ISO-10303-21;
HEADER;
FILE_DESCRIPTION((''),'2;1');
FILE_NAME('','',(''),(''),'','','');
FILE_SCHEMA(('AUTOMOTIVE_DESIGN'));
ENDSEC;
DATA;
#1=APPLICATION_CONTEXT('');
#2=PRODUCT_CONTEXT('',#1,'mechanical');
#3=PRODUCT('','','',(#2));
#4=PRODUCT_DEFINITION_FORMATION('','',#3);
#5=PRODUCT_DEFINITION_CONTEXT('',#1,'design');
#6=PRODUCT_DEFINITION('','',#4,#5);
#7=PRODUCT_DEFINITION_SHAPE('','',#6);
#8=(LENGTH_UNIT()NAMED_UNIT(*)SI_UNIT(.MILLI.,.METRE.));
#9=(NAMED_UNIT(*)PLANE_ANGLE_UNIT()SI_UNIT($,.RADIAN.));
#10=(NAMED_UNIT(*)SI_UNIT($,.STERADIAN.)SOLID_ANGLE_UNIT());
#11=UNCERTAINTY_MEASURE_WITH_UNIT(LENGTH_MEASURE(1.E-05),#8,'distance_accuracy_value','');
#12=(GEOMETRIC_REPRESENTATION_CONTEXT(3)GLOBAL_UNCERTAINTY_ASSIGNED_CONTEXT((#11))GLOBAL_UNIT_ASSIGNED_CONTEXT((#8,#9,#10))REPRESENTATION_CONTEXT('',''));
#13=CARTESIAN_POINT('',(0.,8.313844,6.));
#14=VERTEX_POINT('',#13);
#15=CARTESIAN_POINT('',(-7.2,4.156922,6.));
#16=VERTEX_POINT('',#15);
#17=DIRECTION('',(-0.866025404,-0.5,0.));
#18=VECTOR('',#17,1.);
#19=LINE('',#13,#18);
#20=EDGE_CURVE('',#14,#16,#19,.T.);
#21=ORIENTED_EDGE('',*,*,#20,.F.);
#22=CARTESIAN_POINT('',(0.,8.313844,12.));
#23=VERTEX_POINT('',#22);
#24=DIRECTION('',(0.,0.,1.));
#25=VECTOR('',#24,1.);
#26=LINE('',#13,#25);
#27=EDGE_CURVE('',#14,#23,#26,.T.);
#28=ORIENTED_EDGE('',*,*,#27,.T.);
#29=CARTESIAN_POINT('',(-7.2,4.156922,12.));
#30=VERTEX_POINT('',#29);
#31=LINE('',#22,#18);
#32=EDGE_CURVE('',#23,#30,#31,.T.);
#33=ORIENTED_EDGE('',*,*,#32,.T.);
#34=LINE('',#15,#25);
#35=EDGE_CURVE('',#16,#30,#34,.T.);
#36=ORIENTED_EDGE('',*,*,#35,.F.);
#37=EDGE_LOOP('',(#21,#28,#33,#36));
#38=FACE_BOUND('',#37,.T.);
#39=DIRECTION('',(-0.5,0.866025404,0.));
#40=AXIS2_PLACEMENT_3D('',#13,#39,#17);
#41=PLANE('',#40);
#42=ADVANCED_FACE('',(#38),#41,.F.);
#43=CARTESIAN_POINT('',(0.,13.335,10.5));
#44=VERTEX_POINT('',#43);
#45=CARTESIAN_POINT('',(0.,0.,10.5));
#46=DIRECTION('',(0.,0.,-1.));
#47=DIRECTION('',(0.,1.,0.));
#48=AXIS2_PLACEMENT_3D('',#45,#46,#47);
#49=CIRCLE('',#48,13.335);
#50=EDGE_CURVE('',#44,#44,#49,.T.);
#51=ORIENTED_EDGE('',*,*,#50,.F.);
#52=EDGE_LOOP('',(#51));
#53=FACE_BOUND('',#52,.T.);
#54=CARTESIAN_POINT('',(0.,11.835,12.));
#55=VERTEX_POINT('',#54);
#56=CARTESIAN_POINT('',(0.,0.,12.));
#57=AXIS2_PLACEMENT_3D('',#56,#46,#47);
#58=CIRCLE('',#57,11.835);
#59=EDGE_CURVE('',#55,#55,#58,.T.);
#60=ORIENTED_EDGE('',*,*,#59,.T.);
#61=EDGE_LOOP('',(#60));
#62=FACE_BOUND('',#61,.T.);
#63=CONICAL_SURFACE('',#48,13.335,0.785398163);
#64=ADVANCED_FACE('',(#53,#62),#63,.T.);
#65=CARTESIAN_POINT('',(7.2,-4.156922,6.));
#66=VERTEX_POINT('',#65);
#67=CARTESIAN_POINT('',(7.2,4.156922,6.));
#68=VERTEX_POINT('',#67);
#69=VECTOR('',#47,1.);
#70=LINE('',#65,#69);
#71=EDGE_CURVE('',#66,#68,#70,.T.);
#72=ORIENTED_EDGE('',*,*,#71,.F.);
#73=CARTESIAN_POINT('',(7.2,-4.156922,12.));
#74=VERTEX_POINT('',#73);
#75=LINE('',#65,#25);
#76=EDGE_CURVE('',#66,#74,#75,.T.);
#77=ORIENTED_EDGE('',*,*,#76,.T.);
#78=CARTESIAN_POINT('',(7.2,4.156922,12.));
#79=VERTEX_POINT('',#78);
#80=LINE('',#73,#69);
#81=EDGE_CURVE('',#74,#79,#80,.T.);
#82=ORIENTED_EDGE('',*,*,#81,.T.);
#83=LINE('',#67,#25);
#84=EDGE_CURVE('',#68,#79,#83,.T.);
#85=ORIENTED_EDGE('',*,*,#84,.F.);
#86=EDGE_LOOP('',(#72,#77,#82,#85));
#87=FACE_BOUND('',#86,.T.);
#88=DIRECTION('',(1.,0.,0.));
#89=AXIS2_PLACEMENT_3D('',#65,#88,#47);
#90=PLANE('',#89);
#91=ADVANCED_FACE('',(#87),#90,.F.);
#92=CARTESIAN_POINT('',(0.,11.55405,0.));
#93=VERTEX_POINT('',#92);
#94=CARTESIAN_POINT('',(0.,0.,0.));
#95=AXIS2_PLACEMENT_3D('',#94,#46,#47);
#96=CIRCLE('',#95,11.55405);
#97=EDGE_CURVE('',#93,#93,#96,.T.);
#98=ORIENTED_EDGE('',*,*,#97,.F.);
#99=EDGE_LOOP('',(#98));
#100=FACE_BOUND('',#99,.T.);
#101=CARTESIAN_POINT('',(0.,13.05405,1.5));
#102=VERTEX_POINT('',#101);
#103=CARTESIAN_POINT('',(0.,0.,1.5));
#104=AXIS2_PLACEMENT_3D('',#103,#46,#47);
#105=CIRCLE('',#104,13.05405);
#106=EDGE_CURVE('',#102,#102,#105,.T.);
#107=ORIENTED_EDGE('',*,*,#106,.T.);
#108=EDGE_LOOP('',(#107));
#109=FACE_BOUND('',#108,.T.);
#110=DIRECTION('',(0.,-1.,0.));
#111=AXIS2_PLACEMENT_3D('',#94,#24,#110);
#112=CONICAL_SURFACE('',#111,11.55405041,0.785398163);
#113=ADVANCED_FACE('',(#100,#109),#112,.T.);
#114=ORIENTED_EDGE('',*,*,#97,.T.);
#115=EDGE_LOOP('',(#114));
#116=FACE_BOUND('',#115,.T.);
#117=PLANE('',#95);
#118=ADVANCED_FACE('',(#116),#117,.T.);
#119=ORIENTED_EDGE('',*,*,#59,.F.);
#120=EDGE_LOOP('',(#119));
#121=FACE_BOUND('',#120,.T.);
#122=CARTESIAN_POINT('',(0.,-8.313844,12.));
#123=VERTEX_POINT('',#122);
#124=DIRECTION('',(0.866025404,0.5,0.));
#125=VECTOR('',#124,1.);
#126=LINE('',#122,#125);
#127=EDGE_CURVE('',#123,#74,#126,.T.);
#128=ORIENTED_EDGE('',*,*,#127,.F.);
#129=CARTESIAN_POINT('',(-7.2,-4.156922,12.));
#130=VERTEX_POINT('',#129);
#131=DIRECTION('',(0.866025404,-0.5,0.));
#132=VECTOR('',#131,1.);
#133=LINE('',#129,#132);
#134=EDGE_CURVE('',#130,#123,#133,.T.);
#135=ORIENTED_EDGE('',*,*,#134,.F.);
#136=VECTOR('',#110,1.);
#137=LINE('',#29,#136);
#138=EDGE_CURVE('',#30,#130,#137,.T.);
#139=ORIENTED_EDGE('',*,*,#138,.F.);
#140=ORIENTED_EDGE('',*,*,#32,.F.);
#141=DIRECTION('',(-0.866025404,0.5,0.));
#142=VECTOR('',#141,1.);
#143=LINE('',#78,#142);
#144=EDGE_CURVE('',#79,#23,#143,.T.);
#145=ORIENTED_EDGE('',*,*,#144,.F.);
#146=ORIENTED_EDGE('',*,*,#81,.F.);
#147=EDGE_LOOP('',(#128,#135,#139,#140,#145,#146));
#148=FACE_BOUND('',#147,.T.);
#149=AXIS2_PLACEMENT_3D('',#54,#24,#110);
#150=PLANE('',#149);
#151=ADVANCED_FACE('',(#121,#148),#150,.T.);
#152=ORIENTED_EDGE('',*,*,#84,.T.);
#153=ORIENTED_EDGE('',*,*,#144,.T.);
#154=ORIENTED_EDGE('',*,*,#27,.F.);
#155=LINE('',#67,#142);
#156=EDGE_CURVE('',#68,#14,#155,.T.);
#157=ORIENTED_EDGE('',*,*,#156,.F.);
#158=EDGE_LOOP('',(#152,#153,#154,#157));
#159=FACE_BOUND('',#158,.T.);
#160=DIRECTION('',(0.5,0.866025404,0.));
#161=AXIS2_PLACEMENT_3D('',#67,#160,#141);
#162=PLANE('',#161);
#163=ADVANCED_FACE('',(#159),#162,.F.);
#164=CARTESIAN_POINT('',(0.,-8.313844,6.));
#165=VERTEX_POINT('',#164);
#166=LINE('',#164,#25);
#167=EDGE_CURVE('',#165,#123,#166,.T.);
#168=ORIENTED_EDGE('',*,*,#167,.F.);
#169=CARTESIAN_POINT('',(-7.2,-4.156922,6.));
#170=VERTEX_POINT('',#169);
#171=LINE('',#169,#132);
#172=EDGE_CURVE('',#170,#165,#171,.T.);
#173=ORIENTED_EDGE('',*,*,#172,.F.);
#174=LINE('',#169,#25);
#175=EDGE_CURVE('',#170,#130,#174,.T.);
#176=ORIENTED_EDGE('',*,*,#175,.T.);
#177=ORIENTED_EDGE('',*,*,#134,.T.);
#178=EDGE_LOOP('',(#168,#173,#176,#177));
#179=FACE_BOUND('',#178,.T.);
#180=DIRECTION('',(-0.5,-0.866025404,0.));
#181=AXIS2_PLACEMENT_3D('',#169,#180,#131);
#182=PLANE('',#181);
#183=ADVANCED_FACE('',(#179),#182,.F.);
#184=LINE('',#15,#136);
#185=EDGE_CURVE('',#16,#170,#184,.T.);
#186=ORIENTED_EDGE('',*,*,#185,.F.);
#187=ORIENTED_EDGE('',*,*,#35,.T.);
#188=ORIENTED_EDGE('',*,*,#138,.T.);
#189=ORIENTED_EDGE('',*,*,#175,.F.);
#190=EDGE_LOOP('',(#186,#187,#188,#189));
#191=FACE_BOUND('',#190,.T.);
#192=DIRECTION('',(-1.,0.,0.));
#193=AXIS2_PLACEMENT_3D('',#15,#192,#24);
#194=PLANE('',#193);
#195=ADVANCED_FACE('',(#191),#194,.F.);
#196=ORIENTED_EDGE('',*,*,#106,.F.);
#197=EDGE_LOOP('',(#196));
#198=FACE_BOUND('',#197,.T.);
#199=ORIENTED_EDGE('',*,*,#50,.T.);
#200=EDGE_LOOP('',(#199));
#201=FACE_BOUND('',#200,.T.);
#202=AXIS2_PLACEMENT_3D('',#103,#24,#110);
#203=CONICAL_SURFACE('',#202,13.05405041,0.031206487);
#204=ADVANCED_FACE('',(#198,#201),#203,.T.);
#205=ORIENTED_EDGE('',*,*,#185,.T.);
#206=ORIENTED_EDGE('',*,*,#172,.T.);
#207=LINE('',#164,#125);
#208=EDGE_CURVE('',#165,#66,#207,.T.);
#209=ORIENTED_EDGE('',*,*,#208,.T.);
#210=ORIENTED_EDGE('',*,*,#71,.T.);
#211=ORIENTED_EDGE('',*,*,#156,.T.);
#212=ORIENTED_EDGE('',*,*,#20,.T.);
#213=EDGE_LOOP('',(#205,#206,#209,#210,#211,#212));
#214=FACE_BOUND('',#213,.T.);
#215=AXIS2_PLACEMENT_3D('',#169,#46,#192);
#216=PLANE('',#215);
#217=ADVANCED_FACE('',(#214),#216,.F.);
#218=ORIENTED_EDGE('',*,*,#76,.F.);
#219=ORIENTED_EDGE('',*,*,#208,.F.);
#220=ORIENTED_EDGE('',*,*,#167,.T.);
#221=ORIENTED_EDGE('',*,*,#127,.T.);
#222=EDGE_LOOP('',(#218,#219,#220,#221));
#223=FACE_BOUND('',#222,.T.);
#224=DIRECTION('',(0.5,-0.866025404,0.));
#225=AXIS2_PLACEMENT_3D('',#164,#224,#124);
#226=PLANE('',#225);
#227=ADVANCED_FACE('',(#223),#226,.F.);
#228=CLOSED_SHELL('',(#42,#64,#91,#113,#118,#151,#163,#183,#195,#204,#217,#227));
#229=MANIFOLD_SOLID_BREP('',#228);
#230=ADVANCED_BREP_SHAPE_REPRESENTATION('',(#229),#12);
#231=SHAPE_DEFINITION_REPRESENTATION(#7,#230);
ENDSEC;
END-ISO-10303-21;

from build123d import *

# Parameters (mm, degrees)
CUT_EXTRUDE1_DEPTH = 6


with BuildPart() as part:
    # Sketch1 → Revolve1 (revolve)
    with BuildSketch(Plane(origin=(0, 0, 0), x_dir=(0, 0, -1), z_dir=(1, 0, 0))):
        Polygon((0, 0), (0, 11.55405041), (-1.5, 13.05405041), (-10.5, 13.335), (-12, 11.835), (-12, 0), align=None)
    revolve(axis=Axis((0, 0, 0), (0, 0, 1)))

    # Sketch2 → Cut-Extrude1 (cut)
    with BuildSketch(Plane.XY.offset(12)):
        Polygon((0, -8.313843876), (7.2, -4.156921938), (7.2, 4.156921938), (0, 8.313843876), (-7.2, 4.156921938), (-7.2, -4.156921938), align=None)
    extrude(amount=-CUT_EXTRUDE1_DEPTH, mode=Mode.SUBTRACT)


solid = part.part
